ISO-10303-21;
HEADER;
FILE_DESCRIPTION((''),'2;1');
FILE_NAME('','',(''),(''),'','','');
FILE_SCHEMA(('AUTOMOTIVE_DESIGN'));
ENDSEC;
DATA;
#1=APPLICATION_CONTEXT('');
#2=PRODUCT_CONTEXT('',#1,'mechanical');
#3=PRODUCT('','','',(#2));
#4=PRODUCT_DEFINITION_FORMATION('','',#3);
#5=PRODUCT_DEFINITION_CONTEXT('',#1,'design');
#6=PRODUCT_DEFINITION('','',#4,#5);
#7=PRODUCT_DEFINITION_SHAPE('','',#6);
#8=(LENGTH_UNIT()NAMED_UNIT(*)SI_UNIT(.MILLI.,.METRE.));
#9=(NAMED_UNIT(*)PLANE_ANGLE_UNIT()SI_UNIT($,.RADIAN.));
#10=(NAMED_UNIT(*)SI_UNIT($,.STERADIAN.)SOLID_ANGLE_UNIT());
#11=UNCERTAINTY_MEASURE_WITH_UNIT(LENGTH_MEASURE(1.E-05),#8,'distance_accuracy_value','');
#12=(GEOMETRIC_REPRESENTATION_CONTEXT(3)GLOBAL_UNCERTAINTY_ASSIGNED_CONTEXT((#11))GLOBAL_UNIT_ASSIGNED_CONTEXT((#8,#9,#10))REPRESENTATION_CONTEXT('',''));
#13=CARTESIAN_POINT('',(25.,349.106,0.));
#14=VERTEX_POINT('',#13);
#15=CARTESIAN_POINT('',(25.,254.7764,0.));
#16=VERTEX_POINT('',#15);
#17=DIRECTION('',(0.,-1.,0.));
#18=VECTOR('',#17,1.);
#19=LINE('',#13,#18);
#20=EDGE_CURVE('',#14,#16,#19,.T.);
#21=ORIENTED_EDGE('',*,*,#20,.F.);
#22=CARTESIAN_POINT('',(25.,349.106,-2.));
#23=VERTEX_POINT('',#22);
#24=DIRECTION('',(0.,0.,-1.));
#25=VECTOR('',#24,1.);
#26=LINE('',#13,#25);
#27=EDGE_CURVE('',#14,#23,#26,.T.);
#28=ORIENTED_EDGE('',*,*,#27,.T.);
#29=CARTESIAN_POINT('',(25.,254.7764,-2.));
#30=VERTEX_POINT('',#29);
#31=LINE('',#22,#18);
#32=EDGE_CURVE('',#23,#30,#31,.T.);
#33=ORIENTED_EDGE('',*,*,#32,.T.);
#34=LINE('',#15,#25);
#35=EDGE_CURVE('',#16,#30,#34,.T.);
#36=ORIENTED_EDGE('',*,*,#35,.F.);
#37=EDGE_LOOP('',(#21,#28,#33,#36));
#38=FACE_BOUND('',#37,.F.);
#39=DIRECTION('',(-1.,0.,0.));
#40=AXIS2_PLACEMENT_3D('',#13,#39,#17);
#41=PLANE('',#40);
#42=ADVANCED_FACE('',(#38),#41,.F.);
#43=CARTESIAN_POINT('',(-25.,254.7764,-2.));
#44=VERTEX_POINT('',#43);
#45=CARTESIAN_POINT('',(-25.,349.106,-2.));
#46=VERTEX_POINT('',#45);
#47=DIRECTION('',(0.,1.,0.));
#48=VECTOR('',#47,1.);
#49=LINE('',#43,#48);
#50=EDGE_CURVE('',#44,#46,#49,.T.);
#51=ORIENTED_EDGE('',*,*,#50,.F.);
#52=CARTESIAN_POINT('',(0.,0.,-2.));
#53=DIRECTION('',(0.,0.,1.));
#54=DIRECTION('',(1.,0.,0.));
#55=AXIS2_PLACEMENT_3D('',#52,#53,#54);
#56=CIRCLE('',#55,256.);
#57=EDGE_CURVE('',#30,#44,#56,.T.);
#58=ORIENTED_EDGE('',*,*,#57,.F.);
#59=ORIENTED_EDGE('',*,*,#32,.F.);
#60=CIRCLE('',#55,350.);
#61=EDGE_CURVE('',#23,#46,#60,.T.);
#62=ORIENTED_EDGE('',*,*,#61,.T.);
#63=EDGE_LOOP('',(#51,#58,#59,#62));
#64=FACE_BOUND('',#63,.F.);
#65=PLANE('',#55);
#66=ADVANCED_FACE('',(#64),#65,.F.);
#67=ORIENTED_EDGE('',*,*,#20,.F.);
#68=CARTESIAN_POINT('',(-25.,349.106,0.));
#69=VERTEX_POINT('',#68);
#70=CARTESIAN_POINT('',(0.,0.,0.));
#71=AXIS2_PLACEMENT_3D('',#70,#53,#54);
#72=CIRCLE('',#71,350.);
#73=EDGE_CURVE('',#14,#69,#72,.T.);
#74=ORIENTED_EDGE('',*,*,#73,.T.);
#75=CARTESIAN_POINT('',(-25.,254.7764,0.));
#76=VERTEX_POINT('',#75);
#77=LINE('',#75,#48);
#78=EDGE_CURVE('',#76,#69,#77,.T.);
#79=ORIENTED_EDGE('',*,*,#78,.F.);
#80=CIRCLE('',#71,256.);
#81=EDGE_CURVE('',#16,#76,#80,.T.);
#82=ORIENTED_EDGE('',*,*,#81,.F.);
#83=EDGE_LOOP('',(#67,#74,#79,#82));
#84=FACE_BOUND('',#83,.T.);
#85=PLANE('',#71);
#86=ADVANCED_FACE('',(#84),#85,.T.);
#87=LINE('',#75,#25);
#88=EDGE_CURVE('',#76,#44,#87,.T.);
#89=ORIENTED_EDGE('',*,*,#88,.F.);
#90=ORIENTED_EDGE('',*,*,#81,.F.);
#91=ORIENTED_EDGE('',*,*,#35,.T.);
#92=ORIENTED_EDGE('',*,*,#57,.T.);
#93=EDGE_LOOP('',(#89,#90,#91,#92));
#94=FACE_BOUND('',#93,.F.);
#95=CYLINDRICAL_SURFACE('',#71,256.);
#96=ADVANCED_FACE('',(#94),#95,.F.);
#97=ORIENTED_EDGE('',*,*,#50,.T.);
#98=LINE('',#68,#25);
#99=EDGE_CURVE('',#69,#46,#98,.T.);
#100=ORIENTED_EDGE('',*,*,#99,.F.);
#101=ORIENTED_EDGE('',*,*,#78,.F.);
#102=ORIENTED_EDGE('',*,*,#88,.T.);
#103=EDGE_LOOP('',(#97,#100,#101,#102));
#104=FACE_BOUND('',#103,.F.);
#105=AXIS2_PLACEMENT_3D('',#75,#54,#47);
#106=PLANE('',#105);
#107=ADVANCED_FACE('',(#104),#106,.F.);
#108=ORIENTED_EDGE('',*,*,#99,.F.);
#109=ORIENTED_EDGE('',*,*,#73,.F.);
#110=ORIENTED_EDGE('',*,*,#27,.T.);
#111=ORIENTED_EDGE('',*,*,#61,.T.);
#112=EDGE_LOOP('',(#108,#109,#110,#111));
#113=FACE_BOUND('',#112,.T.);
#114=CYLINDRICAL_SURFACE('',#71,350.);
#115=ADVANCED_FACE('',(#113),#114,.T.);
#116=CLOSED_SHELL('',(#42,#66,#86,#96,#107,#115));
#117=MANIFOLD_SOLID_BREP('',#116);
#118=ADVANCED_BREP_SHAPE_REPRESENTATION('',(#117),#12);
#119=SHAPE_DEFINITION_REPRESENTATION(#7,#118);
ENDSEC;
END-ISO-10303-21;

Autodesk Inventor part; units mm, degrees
ref_plane "YZ Plane" through (0, 0, 0) normal (1, 0, 0) x (0, 1, 0)
ref_plane "XZ Plane" through (0, 0, 0) normal (0, 1, 0) x (-1, 0, 0)
ref_plane "XY Plane" through (0, 0, 0) normal (0, 0, 1) x (1, 0, 0)
sketch "Sketch1" plane through (0, 0, 0) normal (0, 0, 1) x (1, 0, 0)
  circle A0 centre (0, 0) radius 256
  line L0 (-25, 349.106) -> (25, 349.106)
  line L1 (25, 349.106) -> (25, 254.7764)
  line L2 (25, 254.7764) -> (-25, 254.7764)
  line L3 (-25, 254.7764) -> (-25, 349.106)
  circle A1 centre (0, 0) radius 350
  dimension "d28" = 700
  dimension "d26" = 512
  dimension "d27" = 50
extrude "Plate1" add sketch "Sketch1" against normal blind 2 contours A0 L3 L0 L1 | L0 A1
equation "\"d28\" = Колесо_диам_2"
equation "\"d26\" = Колесо_диам_3 + 2 * Thickness"
equation "\"d15\" = Thickness"
equation "\"BendRadius\" = Thickness"
equation "\"BendReliefWidth\" = Thickness"
equation "\"BendReliefDepth\" = 0.5 * Thickness"
equation "\"CornerReliefSize\" = 4 * Thickness"
equation "\"MinimumRemnant\" = 2 * Thickness"
equation "\"TransitionRadius\" = BendRadius"
equation "\"JacobiRadiusSize\" = BendRadius"
equation "\"GapSize\" = Thickness"
equation "\"Колесо_диам_2\" = 700"
equation "\"Колесо_диам_3\" = 508"
equation "\"Thickness\" = 2"
properties part number "DMF2.0 01 41 Gear way 1"
